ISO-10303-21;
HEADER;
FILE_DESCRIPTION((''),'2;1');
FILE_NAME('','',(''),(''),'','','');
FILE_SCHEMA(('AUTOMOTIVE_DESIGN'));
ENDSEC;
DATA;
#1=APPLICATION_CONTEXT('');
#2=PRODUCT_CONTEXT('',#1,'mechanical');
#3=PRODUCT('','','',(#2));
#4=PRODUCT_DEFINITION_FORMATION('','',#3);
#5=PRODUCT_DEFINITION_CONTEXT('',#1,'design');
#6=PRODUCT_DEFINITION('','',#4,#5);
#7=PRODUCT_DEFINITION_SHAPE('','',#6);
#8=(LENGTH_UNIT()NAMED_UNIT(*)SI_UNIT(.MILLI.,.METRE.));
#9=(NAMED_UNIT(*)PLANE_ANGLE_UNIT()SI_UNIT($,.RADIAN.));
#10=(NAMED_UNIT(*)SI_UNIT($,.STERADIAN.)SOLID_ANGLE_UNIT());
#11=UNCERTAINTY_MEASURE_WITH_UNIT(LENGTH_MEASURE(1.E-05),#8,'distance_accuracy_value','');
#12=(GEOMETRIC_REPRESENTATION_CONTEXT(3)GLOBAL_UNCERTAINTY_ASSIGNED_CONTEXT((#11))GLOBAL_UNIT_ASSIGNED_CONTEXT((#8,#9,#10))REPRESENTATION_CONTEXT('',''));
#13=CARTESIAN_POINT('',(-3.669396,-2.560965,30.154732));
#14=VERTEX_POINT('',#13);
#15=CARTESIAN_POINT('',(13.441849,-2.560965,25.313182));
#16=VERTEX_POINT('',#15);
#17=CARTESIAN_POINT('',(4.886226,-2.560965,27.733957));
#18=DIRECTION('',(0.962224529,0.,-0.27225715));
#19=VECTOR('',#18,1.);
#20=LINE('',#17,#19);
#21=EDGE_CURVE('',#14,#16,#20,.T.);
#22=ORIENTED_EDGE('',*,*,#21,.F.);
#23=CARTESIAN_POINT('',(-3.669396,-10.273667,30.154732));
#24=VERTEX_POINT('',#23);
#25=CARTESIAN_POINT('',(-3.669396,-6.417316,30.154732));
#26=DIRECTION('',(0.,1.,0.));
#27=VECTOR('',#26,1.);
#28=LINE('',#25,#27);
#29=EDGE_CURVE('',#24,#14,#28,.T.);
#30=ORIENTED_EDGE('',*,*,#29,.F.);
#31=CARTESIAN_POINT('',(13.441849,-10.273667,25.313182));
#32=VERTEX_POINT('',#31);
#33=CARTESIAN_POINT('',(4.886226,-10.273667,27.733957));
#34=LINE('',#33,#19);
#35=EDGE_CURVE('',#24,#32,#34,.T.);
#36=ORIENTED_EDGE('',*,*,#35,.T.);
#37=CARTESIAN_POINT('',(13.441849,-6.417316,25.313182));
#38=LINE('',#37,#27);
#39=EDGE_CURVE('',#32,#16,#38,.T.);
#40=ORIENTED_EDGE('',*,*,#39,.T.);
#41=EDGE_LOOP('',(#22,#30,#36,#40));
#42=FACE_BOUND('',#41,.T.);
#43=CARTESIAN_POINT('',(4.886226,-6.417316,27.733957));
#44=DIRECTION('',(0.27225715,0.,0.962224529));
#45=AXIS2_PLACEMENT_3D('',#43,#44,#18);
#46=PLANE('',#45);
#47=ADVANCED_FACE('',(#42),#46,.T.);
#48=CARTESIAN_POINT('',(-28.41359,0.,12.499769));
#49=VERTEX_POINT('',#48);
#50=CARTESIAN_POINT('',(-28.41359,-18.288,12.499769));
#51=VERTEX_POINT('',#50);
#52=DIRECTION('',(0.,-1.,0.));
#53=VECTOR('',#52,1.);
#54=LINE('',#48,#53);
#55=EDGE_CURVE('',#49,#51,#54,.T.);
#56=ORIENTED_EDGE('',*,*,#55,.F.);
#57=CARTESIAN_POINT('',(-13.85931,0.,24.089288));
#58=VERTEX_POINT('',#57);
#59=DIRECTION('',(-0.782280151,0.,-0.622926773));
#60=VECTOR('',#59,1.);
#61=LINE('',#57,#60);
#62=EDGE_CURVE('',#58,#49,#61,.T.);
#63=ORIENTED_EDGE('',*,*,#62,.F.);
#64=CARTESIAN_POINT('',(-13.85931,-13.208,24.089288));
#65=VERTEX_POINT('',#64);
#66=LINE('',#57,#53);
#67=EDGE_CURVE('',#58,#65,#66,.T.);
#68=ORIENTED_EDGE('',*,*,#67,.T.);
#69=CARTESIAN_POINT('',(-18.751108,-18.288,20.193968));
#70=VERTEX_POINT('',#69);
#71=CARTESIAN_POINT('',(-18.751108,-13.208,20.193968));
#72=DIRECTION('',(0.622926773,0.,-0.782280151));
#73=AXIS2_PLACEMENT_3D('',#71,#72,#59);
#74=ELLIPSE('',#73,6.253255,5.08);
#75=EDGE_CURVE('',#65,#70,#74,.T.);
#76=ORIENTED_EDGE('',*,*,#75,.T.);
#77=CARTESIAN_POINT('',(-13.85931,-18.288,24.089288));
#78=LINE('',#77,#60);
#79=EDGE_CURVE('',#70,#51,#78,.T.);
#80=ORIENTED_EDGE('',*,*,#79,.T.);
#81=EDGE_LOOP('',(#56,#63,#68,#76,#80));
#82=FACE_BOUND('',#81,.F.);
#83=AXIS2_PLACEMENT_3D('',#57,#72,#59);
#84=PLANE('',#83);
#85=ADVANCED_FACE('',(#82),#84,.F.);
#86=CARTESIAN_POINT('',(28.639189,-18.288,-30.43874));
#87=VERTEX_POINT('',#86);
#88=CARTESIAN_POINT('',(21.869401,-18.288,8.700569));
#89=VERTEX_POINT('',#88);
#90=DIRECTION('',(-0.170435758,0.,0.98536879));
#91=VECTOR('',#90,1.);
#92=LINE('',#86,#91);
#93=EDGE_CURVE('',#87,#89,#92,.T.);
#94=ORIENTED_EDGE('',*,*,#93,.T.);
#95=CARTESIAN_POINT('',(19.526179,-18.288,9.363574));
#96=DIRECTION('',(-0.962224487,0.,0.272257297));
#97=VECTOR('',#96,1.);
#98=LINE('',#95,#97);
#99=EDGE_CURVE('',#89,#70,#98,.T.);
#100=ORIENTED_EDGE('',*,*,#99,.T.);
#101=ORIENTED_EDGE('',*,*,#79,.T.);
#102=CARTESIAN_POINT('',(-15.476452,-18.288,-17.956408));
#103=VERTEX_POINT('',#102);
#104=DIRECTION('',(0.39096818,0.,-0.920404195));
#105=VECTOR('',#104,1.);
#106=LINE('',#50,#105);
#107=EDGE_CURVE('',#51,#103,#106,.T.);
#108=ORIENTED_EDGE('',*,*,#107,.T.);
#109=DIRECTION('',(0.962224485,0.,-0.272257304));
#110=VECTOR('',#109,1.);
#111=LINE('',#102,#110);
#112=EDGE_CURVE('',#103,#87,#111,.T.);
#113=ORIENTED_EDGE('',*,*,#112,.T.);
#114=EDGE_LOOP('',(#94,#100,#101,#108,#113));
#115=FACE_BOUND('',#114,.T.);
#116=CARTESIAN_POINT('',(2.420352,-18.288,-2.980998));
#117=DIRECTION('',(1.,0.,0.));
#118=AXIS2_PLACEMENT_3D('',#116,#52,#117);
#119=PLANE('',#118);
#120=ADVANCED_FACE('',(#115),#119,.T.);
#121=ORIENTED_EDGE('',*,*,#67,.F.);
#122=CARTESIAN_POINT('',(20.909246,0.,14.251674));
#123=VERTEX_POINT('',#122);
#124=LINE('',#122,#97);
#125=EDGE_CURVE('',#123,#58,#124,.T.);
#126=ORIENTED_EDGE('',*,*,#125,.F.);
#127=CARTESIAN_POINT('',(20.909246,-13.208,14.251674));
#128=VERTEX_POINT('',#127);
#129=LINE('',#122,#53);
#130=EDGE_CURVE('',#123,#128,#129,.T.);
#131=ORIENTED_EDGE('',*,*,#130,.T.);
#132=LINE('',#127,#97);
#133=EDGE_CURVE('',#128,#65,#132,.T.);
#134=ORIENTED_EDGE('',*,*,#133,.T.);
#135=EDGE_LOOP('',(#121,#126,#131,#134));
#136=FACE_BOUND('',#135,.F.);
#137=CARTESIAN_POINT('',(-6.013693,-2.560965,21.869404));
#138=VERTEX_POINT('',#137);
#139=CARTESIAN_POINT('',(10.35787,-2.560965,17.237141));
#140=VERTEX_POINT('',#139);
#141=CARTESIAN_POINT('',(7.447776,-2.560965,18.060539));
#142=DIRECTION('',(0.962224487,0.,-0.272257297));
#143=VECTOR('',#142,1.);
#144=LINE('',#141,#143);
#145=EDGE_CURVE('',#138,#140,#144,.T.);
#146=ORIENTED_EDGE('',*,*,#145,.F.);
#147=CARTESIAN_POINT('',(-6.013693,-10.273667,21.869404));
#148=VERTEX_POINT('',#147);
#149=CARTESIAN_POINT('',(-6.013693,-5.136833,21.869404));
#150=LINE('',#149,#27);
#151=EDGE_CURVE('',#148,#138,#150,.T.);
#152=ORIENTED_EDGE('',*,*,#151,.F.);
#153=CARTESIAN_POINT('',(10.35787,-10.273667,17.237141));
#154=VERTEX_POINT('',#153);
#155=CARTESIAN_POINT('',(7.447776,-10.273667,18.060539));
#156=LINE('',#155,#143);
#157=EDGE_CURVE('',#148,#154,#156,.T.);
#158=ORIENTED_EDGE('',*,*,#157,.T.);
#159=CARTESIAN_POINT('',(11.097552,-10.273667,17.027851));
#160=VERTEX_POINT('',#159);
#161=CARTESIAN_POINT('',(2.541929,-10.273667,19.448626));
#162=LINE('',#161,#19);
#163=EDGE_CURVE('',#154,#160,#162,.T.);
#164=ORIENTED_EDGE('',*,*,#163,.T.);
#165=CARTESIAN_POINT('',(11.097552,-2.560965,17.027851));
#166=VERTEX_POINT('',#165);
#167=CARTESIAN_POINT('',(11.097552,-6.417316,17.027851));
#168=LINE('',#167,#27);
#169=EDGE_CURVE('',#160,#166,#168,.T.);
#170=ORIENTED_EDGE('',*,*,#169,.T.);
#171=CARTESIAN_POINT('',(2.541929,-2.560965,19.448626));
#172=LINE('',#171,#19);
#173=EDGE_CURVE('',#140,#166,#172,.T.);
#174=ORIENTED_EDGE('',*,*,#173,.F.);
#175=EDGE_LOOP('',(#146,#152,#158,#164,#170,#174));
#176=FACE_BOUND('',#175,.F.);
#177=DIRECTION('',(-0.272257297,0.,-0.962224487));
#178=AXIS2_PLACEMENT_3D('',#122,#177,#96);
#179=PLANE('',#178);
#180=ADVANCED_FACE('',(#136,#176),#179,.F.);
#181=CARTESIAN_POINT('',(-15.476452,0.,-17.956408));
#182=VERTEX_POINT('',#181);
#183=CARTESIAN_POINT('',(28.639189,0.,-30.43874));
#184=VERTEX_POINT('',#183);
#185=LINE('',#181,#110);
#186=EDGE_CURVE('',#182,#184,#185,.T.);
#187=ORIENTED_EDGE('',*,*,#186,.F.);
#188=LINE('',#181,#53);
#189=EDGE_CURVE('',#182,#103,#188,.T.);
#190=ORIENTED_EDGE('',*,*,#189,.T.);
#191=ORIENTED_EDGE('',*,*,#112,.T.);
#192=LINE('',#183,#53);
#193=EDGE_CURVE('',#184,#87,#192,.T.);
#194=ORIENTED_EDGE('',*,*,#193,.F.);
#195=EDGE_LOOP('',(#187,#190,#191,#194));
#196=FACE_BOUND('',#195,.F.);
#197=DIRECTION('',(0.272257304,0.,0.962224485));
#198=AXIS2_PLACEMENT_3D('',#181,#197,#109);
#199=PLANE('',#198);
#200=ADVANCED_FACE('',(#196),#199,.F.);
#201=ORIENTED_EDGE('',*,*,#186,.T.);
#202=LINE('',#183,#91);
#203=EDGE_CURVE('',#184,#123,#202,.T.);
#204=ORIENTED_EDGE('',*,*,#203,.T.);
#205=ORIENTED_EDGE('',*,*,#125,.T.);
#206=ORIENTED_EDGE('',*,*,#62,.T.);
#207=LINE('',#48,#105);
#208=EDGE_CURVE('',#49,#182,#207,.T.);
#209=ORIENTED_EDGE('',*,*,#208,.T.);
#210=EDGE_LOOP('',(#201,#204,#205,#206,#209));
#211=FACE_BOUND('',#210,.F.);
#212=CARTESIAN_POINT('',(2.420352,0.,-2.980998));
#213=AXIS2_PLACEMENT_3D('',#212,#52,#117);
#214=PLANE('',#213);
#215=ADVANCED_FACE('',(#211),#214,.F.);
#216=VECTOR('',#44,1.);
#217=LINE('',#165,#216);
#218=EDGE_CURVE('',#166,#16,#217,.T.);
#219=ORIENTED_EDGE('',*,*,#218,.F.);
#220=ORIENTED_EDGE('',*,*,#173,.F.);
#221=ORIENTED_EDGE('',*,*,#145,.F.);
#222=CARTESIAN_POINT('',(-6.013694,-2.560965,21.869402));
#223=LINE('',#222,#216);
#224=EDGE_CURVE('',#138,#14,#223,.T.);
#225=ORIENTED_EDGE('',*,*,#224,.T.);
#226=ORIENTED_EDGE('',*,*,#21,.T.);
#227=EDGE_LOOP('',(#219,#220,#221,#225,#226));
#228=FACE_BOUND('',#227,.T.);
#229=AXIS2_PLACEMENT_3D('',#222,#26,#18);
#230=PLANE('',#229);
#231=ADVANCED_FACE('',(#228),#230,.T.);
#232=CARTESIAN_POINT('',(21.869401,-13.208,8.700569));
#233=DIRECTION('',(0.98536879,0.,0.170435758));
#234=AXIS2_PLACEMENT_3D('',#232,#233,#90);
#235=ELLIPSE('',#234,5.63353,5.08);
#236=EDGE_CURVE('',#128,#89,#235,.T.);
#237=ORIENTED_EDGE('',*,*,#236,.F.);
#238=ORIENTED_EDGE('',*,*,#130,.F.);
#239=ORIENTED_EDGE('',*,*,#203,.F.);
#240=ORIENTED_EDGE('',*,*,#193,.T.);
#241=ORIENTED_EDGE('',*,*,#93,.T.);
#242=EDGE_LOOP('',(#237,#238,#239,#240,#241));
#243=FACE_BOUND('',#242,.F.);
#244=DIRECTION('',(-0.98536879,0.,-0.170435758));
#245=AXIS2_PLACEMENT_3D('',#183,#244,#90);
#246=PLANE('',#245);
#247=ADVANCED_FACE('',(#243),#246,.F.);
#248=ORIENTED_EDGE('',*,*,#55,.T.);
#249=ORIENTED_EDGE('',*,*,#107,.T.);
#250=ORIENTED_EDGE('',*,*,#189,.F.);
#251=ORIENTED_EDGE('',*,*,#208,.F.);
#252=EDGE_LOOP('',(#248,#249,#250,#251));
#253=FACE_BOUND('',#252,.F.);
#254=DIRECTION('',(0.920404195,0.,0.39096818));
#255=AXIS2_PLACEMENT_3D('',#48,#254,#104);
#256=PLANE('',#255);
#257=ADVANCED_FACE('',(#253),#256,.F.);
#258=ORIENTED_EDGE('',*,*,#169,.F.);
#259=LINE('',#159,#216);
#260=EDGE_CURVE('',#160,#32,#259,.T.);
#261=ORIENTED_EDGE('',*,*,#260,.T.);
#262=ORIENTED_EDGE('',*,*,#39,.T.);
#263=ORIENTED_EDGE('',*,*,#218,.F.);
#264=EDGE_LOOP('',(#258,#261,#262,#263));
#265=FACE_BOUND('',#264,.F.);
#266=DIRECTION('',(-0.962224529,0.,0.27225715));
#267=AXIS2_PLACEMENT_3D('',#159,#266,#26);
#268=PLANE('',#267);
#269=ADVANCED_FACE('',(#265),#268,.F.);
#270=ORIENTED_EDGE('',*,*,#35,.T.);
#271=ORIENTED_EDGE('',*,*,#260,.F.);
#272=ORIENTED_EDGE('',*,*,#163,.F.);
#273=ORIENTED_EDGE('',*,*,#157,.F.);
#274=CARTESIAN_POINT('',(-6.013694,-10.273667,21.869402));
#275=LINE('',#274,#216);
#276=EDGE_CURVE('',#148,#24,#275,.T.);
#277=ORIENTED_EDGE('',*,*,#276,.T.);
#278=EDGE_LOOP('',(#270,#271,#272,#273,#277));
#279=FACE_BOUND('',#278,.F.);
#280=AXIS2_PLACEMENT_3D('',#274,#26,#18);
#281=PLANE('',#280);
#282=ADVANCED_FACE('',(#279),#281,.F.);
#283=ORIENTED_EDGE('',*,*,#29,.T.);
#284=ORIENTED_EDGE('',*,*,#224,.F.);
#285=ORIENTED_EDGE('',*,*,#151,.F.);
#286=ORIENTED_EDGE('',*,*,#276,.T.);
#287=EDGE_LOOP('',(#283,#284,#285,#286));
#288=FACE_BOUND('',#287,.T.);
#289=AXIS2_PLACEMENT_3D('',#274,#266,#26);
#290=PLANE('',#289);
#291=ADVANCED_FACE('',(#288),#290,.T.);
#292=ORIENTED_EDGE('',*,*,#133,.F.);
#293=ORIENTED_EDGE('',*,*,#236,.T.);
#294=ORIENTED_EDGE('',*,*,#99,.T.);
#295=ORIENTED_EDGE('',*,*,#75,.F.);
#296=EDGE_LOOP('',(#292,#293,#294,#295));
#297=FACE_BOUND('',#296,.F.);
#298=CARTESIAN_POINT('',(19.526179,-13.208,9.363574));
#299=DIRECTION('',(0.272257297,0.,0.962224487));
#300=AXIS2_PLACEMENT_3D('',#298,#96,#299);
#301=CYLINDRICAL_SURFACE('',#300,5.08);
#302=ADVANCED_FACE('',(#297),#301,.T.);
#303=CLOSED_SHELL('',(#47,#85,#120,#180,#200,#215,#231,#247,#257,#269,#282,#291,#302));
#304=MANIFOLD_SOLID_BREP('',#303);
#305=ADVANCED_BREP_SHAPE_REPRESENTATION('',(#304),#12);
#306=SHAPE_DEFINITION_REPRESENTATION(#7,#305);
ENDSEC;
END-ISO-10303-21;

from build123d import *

# Parameters (mm, degrees)
F1_DEPTH = 18.288
F2_W     = 17.783007
F2_H     = 7.712702
F3_DEPTH = 8.6106
F4_R     = 5.08


with BuildPart() as f1:
    # F0 (on Front) → F1 (new body)
    with BuildSketch(Plane.XZ):
        Polygon((-13.85931, 24.089288), (-28.41359, 12.499769), (-15.476452, -17.956408), (28.639189, -30.43874), (20.909246, 14.251674), align=None)
    extrude(amount=F1_DEPTH)

    # F2 (on face) → F3 (join)
    with BuildSketch(Plane(origin=(5.283426, 0, 18.672932), x_dir=(0.962224, 0, -0.272257), z_dir=(0.272257, 0, 0.962224))):
        with Locations((-2.849124, -6.417316)):
            Rectangle(F2_W, F2_H)
    extrude(amount=F3_DEPTH)

    # F4
    f4_edges = [f1.edges().sort_by_distance(p)[0] for p in [
        (3.524968, -18.288, 19.170481),
    ]]
    fillet(f4_edges, radius=F4_R)


solid = f1.part
